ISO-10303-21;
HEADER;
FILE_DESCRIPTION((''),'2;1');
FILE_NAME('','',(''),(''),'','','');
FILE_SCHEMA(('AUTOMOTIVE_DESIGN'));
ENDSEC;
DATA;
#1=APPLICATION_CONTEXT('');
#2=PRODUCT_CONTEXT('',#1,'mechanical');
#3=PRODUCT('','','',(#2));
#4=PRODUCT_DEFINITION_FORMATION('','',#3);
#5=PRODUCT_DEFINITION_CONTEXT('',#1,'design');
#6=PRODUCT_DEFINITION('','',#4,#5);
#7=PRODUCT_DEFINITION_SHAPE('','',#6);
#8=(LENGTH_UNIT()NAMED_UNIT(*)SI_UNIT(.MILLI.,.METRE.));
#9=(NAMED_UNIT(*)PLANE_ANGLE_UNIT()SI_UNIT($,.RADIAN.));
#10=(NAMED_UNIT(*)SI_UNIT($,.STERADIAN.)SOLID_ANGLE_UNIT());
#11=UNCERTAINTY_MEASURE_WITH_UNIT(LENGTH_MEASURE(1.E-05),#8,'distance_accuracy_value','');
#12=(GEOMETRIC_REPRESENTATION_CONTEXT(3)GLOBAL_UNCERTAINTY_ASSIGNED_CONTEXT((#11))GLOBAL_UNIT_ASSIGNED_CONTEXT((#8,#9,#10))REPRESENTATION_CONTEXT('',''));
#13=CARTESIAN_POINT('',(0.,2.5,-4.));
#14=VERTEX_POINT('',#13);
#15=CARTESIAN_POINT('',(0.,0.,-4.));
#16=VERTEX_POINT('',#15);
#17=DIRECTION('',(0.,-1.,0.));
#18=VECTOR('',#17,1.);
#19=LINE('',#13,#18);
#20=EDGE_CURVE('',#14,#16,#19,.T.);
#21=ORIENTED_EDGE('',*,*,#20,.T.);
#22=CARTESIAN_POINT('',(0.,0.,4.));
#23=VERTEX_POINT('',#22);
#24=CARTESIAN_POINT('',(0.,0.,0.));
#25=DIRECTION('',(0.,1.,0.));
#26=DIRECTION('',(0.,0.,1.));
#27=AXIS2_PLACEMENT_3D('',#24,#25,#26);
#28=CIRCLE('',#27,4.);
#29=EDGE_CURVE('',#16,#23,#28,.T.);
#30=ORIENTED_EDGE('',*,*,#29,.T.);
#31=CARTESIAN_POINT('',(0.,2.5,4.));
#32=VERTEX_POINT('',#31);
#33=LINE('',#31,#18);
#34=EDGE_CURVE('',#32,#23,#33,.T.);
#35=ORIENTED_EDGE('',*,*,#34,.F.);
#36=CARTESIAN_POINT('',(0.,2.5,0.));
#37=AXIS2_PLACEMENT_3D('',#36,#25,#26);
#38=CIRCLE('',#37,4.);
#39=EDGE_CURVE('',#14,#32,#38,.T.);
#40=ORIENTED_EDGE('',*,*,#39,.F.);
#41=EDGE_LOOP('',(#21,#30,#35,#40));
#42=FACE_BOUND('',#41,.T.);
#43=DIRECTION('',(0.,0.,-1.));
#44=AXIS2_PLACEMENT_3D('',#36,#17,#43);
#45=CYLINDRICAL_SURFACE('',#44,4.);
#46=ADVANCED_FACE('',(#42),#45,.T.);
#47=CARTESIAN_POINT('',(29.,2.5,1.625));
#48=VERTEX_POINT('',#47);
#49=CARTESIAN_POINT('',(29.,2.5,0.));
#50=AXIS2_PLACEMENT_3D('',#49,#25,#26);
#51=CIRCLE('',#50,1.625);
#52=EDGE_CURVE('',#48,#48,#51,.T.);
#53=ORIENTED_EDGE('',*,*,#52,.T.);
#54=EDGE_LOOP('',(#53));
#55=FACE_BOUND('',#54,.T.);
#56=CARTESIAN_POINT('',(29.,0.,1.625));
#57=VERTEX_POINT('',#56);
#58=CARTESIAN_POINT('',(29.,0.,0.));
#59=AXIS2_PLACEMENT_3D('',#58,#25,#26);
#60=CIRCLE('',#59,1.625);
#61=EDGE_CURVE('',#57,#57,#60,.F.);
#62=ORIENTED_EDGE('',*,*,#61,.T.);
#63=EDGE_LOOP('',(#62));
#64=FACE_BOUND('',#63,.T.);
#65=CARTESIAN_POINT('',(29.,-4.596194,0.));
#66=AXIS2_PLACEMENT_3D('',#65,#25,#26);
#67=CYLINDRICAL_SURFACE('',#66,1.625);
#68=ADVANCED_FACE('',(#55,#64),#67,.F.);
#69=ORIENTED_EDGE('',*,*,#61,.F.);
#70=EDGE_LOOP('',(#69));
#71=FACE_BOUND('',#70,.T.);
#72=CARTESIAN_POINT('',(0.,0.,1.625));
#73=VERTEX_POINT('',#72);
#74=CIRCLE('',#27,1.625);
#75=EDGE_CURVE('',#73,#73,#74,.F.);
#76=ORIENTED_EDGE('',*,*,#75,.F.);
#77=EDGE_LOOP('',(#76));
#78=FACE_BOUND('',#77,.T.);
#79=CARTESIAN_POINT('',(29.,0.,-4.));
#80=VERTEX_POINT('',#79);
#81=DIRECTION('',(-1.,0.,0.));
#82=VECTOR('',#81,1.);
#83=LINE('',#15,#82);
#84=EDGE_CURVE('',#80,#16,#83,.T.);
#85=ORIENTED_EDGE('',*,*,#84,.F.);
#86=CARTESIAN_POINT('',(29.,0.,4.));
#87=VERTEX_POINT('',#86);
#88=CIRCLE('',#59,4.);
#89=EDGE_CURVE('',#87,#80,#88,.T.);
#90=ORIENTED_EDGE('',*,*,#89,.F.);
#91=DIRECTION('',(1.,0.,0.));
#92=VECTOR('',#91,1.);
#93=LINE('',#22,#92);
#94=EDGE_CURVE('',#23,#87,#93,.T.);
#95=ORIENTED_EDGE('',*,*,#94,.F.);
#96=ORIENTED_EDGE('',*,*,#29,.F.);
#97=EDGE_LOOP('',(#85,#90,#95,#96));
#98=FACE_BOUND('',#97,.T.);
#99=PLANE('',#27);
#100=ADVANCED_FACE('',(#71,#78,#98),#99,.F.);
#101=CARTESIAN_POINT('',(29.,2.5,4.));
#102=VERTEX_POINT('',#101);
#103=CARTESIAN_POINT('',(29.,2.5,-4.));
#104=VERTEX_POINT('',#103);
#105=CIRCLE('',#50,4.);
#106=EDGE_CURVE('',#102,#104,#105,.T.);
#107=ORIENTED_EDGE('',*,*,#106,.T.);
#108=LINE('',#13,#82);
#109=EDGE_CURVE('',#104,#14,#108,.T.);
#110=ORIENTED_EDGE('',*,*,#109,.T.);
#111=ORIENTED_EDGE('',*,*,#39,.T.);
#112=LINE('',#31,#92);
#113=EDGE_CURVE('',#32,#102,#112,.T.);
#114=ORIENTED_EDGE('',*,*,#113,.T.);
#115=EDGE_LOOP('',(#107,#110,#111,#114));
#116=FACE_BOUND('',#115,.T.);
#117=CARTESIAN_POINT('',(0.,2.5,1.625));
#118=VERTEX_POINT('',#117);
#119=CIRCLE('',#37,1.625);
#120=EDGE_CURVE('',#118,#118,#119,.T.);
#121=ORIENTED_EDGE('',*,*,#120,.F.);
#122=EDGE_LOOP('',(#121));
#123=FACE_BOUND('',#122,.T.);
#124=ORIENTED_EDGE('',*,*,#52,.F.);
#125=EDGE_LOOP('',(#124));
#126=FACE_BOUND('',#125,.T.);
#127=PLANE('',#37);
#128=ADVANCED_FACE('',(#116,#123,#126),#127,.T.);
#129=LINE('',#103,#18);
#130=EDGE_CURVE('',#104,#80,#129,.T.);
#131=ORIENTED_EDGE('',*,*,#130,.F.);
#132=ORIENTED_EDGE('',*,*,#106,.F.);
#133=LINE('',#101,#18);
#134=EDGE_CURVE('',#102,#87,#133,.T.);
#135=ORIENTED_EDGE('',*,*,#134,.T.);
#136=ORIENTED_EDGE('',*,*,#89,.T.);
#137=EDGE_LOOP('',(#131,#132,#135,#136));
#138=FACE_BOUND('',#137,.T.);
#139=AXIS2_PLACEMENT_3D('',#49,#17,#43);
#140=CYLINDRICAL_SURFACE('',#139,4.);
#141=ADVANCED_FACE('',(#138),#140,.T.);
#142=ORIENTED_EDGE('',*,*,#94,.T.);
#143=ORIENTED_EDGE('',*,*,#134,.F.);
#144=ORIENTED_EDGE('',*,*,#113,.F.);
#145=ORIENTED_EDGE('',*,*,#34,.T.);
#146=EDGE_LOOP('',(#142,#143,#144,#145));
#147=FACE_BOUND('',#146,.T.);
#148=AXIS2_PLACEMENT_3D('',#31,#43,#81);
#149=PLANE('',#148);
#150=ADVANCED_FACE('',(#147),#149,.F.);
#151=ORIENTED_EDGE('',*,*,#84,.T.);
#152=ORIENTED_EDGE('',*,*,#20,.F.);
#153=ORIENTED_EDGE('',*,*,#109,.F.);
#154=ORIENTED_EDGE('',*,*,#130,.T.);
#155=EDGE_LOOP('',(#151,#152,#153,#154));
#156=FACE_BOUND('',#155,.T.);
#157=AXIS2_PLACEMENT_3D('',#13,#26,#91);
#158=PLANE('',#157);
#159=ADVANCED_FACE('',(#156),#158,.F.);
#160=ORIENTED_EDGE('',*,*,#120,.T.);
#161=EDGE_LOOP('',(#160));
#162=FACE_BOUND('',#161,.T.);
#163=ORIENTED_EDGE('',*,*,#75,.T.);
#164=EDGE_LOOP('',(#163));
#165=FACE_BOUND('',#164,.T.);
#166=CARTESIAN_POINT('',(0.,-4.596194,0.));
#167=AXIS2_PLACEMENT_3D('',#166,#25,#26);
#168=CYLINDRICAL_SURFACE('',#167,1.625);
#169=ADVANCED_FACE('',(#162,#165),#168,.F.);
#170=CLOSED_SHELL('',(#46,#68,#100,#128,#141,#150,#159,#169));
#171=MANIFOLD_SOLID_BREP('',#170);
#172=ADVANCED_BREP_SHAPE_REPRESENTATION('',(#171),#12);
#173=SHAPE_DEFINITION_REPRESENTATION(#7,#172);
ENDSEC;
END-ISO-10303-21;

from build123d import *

# Parameters (mm, degrees)
BOSS_EXTRUDE1_DEPTH = 2.5
SKETCH2_R           = 1.625
CUT_EXTRUDE1_DEPTH  = 2.5


with BuildPart() as part:
    # Sketch1 → Boss-Extrude1 (new body)
    with BuildSketch(Plane(origin=(0, 0, 0), x_dir=(1, 0, 0), z_dir=(0, 1, 0))):
        with BuildLine():
            Line((0, 4), (29, 4))
            ThreePointArc((29, 4), (33, 0), (29, -4))
            Line((29, -4), (0, -4))
            ThreePointArc((0, -4), (-4, 0), (0, 4))
        make_face()
    extrude(amount=BOSS_EXTRUDE1_DEPTH)

    # Sketch2 → Cut-Extrude1 (cut)
    with BuildSketch(Plane(origin=(0, 2.5, 0), x_dir=(1, 0, 0), z_dir=(0, 1, 0))):
        Circle(SKETCH2_R)
        with Locations((29, 0)):
            Circle(SKETCH2_R)
    extrude(amount=-CUT_EXTRUDE1_DEPTH, mode=Mode.SUBTRACT)


solid = part.part
